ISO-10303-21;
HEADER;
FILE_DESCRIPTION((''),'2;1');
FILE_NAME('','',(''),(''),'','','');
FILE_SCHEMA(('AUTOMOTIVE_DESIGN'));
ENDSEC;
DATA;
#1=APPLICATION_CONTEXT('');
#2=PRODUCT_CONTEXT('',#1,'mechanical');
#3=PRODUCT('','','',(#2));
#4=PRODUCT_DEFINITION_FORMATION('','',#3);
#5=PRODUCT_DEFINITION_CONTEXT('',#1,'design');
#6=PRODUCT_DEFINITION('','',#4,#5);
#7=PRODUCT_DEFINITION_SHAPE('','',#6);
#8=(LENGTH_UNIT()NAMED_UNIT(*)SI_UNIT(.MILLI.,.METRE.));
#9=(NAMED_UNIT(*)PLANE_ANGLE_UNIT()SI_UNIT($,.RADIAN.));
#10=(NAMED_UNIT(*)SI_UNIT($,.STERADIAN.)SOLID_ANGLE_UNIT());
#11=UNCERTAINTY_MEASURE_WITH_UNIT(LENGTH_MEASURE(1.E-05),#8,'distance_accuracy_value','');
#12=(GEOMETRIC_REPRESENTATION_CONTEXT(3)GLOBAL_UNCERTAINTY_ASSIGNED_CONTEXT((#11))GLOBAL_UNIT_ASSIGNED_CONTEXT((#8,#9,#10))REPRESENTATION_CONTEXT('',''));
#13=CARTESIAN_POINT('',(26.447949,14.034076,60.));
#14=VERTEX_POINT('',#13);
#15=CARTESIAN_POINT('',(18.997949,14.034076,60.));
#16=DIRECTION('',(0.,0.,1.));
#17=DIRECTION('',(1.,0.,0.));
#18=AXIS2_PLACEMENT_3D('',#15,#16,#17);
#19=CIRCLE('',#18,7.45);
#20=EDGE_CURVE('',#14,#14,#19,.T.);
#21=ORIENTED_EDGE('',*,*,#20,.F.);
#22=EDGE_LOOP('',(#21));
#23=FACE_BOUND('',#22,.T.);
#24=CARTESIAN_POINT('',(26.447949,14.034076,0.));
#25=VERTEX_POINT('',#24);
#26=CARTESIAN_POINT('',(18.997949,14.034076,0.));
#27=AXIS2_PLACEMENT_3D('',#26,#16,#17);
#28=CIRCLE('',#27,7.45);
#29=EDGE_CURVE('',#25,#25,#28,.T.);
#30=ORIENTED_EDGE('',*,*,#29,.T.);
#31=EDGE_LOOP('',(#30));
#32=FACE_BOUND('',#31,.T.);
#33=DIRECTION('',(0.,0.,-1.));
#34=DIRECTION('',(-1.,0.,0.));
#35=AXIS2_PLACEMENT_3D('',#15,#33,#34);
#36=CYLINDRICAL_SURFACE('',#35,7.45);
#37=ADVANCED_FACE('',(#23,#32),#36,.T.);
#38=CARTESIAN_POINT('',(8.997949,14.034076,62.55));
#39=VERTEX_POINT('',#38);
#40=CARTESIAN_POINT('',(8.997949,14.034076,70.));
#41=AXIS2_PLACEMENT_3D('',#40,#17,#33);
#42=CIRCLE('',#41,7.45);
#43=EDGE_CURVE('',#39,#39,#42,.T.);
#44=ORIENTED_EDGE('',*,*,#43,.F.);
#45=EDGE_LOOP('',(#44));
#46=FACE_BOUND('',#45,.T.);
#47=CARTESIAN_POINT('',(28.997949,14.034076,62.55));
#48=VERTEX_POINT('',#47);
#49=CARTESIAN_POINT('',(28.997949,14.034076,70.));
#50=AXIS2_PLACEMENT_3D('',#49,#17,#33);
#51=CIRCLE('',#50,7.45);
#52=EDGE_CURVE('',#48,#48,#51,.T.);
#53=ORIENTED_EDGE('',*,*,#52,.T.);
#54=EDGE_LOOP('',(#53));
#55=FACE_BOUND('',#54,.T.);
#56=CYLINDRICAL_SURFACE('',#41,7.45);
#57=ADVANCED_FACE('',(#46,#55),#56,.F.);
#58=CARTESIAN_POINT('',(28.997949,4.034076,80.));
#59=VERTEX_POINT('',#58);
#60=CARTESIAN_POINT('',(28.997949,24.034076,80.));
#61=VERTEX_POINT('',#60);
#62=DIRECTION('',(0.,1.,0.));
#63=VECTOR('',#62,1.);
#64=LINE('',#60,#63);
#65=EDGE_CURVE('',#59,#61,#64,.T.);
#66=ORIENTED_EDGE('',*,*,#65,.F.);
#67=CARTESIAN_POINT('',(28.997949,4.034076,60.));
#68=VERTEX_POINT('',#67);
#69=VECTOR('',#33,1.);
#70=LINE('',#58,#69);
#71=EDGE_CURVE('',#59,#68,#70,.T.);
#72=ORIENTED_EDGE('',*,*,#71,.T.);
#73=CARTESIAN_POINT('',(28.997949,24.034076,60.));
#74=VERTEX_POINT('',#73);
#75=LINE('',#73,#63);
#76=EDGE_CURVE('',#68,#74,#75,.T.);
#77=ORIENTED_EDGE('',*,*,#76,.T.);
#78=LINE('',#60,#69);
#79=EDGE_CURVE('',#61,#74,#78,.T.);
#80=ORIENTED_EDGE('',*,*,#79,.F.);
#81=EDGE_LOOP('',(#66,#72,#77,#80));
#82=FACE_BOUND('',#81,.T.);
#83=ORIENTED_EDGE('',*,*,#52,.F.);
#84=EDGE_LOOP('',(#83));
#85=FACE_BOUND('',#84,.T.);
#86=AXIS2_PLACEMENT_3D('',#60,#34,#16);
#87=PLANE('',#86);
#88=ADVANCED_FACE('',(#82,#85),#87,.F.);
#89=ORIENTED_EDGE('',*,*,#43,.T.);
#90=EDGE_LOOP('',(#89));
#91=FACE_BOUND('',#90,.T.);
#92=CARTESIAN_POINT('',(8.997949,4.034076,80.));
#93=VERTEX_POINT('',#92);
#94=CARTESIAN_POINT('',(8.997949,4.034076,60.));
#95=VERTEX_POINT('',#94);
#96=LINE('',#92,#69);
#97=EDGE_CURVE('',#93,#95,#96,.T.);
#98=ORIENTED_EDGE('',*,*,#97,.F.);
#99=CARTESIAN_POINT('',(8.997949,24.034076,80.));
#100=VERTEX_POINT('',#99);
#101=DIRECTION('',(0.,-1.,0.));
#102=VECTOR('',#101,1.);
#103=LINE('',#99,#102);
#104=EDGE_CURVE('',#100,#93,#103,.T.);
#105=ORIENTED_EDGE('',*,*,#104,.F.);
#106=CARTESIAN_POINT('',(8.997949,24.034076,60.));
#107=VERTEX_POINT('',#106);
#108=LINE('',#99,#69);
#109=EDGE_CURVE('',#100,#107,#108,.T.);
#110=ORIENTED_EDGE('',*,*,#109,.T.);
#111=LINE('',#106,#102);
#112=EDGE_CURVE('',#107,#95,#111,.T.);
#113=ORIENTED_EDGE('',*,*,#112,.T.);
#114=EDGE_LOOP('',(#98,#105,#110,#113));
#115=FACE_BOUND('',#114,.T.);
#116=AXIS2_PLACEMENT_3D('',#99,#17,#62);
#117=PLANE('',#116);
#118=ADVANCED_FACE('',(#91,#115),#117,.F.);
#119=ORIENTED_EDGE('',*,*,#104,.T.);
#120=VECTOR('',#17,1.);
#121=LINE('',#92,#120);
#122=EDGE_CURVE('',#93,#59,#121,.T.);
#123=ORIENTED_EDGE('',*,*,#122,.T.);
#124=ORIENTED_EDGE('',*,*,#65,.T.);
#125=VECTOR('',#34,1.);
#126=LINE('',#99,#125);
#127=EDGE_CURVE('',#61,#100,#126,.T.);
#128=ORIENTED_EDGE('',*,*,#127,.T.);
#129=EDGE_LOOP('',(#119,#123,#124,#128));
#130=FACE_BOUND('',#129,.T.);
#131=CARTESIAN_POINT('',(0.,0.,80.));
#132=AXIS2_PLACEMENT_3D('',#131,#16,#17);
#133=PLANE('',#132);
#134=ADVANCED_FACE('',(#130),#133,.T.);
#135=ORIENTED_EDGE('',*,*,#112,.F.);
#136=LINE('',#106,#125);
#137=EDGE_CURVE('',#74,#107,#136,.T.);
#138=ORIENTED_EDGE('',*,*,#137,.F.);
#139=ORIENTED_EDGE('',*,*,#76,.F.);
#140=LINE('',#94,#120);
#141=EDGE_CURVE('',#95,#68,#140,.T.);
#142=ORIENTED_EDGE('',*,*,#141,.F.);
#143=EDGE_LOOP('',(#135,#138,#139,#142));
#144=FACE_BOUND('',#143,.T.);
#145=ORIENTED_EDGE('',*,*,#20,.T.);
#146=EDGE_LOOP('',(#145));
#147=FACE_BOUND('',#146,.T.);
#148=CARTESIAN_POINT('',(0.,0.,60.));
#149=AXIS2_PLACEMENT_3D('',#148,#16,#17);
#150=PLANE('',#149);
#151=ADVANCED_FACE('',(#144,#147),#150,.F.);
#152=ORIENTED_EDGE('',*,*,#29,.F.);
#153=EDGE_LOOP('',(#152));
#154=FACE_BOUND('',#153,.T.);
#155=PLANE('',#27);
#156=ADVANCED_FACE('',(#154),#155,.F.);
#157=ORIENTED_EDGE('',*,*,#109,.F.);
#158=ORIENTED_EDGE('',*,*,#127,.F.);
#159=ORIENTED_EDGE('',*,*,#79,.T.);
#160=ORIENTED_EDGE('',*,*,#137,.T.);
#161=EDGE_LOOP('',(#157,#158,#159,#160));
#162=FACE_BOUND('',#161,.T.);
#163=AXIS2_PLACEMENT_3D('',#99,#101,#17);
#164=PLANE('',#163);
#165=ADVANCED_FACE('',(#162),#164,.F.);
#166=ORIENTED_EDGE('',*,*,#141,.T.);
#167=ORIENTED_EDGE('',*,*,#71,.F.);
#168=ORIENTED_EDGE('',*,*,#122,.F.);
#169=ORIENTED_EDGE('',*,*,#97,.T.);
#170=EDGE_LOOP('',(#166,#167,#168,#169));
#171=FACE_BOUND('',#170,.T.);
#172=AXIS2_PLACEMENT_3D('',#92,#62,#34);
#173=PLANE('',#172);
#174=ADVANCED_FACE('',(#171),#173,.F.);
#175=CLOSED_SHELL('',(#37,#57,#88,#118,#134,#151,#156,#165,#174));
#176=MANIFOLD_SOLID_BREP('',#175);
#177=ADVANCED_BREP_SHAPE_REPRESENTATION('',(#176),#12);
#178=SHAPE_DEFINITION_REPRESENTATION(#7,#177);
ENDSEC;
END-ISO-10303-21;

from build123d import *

# Parameters (mm, degrees)
SKETCH1_R           = 7.45
BOSS_EXTRUDE1_DEPTH = 60
SKETCH2_W           = 20
SKETCH2_H           = 20
BOSS_EXTRUDE2_DEPTH = 20
SKETCH3_R           = 7.45
CUT_EXTRUDE1_DEPTH  = 86.893170968


with BuildPart() as part:
    # Sketch1 → Boss-Extrude1 (new body)
    with BuildSketch(Plane.XY):
        with Locations((18.997949105, 14.034076201)):
            Circle(SKETCH1_R)
    extrude(amount=BOSS_EXTRUDE1_DEPTH)

    # Sketch2 → Boss-Extrude2 (add)
    with BuildSketch(Plane.XY.offset(60)):
        with Locations((18.997949105, 14.034076201)):
            Rectangle(SKETCH2_W, SKETCH2_H)
    extrude(amount=BOSS_EXTRUDE2_DEPTH)

    # Sketch3 → Cut-Extrude1 (cut, through all)
    with BuildSketch(Plane(origin=(28.997949105, 0, 0), x_dir=(0, 0, -1), z_dir=(1, 0, 0))):
        with Locations((-70, 14.034076201)):
            Circle(SKETCH3_R)
    extrude(amount=-CUT_EXTRUDE1_DEPTH, mode=Mode.SUBTRACT)


solid = part.part
